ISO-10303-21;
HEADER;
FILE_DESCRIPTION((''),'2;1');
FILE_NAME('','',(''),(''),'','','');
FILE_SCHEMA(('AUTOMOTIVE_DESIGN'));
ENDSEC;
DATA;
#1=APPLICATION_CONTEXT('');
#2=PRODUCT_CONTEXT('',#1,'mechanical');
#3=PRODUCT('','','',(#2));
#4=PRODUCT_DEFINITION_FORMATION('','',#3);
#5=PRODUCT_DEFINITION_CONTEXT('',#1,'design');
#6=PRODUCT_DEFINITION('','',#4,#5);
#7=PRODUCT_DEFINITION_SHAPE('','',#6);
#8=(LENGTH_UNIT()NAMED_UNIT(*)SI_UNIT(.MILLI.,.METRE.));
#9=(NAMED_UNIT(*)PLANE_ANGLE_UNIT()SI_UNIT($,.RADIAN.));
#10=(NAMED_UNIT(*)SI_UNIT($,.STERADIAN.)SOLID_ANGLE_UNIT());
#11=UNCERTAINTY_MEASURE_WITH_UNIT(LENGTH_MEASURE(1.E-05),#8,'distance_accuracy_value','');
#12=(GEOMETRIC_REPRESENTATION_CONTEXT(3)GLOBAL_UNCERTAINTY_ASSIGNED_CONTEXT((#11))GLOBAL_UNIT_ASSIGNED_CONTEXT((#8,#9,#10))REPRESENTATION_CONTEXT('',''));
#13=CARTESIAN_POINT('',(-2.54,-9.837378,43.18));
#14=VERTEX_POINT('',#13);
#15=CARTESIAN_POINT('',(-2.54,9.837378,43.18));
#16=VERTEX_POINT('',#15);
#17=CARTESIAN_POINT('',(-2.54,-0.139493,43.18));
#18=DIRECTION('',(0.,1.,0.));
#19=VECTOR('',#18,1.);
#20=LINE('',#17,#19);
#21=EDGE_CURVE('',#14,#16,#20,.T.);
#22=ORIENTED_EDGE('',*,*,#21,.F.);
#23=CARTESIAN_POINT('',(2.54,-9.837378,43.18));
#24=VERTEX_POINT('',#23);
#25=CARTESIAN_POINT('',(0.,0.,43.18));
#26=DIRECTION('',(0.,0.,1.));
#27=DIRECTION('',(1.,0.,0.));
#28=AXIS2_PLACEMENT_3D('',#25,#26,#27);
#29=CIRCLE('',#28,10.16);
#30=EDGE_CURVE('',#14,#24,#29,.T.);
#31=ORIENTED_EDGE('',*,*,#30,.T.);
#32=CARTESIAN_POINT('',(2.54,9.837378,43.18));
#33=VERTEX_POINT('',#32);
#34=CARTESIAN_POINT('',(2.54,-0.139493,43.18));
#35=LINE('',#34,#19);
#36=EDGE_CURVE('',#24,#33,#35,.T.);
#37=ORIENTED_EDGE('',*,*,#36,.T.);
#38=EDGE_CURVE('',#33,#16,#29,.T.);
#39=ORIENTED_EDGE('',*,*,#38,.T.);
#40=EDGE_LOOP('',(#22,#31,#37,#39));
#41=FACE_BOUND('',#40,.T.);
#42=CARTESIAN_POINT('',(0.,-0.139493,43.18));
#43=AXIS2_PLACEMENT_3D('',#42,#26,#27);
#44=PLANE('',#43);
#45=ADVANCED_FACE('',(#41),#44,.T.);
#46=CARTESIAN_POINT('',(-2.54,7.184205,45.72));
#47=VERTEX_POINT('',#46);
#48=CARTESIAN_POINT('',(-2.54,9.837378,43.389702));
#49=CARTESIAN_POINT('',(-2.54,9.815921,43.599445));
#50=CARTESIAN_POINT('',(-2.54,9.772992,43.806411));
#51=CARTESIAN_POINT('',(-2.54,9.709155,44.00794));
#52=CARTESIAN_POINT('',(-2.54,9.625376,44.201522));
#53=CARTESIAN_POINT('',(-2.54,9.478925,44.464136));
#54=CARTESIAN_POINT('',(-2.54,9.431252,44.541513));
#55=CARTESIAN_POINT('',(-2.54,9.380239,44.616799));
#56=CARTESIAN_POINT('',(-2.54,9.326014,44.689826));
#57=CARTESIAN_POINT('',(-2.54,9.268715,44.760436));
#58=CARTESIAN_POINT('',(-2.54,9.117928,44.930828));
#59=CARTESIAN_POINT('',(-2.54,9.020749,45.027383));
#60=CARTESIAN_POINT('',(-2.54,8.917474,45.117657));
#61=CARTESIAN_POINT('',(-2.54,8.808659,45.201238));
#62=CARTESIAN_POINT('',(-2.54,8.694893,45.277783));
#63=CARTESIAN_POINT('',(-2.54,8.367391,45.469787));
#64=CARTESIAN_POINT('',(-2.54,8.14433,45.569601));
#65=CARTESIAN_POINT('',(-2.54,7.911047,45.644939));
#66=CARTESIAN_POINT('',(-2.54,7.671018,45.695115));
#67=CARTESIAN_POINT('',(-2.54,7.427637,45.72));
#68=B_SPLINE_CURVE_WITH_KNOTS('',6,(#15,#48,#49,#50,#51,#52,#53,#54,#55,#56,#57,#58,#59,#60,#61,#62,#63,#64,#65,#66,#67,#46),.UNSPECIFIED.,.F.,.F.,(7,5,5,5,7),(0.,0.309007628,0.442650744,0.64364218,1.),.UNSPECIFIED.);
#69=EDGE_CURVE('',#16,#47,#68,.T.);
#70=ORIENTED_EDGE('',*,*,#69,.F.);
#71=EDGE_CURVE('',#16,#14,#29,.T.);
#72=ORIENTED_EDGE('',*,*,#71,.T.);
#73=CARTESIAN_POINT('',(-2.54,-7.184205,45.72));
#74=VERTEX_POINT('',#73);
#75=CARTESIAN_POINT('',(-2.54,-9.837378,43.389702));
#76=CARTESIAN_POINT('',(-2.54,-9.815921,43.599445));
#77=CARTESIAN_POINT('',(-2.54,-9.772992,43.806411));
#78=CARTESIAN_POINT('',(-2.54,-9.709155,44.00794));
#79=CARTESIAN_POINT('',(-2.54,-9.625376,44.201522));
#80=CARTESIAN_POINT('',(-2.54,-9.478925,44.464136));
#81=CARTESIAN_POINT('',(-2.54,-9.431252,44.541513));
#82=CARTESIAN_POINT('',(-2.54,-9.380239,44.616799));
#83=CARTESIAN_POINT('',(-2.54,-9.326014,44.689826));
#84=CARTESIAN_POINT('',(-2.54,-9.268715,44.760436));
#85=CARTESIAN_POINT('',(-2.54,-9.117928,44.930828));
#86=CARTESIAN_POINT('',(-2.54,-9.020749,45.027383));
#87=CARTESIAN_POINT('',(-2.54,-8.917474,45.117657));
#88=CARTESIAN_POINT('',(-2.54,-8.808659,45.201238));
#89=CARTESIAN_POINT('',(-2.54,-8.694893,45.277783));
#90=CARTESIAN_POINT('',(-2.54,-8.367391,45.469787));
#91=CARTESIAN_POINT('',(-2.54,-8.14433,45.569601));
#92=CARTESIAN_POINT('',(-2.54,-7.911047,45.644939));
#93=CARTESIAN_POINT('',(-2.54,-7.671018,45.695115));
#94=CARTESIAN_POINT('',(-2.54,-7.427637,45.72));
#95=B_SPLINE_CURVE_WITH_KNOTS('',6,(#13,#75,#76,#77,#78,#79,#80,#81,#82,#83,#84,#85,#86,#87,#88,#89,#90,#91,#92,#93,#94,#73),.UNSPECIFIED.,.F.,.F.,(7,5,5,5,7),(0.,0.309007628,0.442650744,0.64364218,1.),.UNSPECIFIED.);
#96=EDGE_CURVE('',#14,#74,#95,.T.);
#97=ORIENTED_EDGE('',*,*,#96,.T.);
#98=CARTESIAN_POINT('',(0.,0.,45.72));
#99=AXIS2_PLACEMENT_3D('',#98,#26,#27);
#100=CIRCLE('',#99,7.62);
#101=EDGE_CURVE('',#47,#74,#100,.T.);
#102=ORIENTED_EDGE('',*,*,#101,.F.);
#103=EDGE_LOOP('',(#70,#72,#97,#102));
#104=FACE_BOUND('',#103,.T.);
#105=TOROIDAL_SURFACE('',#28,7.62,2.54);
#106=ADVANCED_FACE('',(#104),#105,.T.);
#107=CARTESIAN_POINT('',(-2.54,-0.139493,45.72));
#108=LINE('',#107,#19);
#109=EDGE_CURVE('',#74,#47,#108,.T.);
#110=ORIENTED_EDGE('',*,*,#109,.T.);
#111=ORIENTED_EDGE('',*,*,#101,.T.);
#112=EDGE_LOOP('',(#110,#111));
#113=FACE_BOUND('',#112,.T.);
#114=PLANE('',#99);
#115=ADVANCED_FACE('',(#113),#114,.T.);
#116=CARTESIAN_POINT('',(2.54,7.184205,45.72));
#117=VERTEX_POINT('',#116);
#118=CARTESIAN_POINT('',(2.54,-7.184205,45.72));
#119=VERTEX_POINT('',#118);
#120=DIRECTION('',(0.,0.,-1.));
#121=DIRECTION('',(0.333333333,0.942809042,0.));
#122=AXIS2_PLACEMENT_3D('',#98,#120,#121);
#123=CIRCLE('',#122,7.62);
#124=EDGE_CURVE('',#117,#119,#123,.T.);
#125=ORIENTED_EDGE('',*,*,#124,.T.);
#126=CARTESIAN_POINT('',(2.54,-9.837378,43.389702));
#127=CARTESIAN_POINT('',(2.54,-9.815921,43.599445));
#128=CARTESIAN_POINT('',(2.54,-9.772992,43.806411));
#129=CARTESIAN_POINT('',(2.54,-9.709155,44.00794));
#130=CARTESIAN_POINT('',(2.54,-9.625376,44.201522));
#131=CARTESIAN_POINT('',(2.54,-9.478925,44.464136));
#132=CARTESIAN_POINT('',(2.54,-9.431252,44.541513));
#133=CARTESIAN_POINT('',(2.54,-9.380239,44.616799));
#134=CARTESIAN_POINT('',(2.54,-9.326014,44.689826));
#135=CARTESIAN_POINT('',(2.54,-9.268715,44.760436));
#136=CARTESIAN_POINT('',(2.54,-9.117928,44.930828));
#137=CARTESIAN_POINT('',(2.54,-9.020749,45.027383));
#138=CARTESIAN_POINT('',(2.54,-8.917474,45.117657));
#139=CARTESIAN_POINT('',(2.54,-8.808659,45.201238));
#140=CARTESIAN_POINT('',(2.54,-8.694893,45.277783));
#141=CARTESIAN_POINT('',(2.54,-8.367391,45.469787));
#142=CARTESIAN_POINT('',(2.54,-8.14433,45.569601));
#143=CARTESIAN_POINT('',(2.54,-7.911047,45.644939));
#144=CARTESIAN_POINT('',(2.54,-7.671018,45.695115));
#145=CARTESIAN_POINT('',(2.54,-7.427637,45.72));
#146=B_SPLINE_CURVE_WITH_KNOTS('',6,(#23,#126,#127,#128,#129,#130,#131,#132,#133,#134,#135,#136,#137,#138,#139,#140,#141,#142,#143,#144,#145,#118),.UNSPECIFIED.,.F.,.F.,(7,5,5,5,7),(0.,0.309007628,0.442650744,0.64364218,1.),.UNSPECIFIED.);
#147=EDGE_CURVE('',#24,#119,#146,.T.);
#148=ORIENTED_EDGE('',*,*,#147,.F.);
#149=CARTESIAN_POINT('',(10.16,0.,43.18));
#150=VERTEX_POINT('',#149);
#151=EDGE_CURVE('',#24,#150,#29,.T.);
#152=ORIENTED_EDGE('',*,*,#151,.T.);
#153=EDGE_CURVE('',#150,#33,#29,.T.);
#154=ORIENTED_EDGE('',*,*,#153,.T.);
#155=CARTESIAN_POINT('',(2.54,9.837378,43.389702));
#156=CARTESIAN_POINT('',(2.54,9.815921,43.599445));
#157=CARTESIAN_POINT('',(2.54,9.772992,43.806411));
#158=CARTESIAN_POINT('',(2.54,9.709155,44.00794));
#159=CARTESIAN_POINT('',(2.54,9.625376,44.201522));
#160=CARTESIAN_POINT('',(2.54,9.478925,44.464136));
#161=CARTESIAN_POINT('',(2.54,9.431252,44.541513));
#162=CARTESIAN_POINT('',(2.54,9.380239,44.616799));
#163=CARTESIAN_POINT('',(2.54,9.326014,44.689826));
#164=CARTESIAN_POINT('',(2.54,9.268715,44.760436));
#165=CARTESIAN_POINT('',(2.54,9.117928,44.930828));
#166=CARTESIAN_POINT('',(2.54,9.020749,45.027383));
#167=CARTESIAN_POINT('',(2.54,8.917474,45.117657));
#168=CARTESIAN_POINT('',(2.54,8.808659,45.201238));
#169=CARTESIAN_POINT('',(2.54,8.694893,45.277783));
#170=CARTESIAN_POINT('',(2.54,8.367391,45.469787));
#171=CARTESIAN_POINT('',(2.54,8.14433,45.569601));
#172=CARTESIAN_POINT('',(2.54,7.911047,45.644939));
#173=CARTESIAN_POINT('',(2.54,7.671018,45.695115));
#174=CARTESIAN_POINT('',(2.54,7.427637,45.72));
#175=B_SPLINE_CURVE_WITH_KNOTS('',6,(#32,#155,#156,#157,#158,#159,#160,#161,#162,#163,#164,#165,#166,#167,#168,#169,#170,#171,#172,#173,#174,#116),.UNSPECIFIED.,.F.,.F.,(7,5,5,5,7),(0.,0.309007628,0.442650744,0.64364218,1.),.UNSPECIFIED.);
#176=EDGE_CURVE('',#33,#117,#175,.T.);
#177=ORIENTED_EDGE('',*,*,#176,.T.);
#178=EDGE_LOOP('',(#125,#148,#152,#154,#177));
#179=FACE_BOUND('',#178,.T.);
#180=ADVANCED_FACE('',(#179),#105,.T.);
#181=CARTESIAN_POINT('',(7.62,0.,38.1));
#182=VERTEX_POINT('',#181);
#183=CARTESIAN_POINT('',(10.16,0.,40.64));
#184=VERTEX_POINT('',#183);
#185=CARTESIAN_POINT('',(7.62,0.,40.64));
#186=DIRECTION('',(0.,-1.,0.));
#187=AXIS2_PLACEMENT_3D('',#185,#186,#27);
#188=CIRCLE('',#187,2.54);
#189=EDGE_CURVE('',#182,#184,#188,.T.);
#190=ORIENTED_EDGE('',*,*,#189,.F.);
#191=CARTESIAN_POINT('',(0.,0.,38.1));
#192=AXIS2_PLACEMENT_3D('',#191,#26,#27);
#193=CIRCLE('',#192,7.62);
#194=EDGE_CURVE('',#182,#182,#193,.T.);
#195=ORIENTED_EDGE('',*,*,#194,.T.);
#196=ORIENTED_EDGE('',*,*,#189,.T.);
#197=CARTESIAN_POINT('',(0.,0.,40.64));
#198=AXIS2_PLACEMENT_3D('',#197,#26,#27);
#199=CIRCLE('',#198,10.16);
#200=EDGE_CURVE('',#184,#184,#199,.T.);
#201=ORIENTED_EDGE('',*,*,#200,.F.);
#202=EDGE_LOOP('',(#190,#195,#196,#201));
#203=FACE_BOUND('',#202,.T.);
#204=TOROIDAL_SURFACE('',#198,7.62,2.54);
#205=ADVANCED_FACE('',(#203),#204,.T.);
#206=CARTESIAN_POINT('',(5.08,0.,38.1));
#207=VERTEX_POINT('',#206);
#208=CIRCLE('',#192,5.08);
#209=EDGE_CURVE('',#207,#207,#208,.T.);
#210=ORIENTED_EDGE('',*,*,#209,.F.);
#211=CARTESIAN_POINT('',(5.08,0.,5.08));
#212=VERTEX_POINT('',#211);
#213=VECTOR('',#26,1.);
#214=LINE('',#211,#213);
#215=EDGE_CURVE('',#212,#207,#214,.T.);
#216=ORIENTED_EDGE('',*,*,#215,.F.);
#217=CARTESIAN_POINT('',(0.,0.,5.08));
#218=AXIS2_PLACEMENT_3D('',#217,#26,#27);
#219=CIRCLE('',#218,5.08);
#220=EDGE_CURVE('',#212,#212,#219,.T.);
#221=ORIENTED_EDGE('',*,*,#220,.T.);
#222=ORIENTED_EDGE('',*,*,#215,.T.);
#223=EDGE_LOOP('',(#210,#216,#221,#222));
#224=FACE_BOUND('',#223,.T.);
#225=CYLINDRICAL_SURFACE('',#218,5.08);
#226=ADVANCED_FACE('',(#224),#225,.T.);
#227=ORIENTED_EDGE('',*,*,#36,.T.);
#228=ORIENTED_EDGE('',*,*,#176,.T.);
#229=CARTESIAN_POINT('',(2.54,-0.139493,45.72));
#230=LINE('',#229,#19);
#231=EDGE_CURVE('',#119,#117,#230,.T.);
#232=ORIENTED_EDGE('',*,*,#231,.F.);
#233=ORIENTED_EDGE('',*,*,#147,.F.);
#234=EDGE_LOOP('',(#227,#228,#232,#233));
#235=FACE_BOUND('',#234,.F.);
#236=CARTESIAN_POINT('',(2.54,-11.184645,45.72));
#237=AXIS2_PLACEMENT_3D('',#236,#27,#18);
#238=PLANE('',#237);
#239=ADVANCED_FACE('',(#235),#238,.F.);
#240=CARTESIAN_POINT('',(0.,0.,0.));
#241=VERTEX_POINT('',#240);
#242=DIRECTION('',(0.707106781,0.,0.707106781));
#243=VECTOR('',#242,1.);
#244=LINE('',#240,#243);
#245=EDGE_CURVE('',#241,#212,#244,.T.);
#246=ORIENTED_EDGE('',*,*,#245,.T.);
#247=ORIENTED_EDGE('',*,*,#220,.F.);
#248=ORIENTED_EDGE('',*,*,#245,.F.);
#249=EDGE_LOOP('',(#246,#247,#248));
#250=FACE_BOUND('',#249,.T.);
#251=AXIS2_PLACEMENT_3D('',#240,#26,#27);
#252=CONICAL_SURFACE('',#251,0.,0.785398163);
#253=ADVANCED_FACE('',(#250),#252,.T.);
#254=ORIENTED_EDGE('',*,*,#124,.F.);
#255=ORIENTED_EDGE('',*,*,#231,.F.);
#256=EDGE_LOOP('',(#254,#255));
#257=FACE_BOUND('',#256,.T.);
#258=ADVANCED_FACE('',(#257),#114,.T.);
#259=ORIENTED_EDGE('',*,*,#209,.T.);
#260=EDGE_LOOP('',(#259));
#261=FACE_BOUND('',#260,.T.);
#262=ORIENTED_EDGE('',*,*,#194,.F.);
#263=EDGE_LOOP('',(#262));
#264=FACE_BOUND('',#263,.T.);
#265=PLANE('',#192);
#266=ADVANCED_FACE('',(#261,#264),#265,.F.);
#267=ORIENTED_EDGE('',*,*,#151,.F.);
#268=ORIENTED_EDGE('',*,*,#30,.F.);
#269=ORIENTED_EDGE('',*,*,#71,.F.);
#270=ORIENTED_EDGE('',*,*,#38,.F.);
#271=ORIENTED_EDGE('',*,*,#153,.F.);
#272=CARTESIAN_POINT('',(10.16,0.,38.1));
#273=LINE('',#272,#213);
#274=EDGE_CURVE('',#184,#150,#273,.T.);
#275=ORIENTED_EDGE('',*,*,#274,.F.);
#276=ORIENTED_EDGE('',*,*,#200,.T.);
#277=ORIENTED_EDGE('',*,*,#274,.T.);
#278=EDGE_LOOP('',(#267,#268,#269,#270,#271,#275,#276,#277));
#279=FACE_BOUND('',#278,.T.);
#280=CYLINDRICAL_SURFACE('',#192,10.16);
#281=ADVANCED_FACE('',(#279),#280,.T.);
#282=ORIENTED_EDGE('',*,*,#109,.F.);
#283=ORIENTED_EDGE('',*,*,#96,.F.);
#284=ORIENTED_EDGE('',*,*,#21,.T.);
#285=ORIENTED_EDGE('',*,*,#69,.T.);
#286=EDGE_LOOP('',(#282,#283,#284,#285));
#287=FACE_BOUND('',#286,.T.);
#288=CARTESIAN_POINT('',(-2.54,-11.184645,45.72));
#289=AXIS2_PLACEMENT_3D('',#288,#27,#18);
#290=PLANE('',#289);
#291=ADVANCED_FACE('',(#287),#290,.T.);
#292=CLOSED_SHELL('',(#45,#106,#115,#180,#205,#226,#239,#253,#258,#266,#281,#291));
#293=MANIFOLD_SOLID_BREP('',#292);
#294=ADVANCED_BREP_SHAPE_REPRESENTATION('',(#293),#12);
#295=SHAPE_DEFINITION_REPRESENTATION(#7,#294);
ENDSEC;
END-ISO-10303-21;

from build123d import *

# Parameters (mm, degrees)
F2_R     = 2.54
F3_W     = 5.08
F3_H     = 22.090304
F4_DEPTH = 2.54


with BuildPart() as f1:
    # F0 (on Front) → F1 (revolve)
    with BuildSketch(Plane.XZ):
        Polygon((0, 45.72), (0, 0), (5.08, 5.08), (5.08, 38.1), (10.16, 38.1), (10.16, 45.72), align=None)
    revolve(axis=Axis((0, 0, 22.86), (0, 0, 1)))

    # F2
    f2_edges = [f1.edges().sort_by_distance(p)[0] for p in [
        (-10.16, 0, 45.72),
        (-10.16, 0, 38.1),
    ]]
    fillet(f2_edges, radius=F2_R)

    # F3 (on face) → F4 (cut)
    with BuildSketch(Plane.XY.offset(45.72)):
        with Locations((0, -0.139493)):
            Rectangle(F3_W, F3_H)
    extrude(amount=-F4_DEPTH, mode=Mode.SUBTRACT)


solid = f1.part
